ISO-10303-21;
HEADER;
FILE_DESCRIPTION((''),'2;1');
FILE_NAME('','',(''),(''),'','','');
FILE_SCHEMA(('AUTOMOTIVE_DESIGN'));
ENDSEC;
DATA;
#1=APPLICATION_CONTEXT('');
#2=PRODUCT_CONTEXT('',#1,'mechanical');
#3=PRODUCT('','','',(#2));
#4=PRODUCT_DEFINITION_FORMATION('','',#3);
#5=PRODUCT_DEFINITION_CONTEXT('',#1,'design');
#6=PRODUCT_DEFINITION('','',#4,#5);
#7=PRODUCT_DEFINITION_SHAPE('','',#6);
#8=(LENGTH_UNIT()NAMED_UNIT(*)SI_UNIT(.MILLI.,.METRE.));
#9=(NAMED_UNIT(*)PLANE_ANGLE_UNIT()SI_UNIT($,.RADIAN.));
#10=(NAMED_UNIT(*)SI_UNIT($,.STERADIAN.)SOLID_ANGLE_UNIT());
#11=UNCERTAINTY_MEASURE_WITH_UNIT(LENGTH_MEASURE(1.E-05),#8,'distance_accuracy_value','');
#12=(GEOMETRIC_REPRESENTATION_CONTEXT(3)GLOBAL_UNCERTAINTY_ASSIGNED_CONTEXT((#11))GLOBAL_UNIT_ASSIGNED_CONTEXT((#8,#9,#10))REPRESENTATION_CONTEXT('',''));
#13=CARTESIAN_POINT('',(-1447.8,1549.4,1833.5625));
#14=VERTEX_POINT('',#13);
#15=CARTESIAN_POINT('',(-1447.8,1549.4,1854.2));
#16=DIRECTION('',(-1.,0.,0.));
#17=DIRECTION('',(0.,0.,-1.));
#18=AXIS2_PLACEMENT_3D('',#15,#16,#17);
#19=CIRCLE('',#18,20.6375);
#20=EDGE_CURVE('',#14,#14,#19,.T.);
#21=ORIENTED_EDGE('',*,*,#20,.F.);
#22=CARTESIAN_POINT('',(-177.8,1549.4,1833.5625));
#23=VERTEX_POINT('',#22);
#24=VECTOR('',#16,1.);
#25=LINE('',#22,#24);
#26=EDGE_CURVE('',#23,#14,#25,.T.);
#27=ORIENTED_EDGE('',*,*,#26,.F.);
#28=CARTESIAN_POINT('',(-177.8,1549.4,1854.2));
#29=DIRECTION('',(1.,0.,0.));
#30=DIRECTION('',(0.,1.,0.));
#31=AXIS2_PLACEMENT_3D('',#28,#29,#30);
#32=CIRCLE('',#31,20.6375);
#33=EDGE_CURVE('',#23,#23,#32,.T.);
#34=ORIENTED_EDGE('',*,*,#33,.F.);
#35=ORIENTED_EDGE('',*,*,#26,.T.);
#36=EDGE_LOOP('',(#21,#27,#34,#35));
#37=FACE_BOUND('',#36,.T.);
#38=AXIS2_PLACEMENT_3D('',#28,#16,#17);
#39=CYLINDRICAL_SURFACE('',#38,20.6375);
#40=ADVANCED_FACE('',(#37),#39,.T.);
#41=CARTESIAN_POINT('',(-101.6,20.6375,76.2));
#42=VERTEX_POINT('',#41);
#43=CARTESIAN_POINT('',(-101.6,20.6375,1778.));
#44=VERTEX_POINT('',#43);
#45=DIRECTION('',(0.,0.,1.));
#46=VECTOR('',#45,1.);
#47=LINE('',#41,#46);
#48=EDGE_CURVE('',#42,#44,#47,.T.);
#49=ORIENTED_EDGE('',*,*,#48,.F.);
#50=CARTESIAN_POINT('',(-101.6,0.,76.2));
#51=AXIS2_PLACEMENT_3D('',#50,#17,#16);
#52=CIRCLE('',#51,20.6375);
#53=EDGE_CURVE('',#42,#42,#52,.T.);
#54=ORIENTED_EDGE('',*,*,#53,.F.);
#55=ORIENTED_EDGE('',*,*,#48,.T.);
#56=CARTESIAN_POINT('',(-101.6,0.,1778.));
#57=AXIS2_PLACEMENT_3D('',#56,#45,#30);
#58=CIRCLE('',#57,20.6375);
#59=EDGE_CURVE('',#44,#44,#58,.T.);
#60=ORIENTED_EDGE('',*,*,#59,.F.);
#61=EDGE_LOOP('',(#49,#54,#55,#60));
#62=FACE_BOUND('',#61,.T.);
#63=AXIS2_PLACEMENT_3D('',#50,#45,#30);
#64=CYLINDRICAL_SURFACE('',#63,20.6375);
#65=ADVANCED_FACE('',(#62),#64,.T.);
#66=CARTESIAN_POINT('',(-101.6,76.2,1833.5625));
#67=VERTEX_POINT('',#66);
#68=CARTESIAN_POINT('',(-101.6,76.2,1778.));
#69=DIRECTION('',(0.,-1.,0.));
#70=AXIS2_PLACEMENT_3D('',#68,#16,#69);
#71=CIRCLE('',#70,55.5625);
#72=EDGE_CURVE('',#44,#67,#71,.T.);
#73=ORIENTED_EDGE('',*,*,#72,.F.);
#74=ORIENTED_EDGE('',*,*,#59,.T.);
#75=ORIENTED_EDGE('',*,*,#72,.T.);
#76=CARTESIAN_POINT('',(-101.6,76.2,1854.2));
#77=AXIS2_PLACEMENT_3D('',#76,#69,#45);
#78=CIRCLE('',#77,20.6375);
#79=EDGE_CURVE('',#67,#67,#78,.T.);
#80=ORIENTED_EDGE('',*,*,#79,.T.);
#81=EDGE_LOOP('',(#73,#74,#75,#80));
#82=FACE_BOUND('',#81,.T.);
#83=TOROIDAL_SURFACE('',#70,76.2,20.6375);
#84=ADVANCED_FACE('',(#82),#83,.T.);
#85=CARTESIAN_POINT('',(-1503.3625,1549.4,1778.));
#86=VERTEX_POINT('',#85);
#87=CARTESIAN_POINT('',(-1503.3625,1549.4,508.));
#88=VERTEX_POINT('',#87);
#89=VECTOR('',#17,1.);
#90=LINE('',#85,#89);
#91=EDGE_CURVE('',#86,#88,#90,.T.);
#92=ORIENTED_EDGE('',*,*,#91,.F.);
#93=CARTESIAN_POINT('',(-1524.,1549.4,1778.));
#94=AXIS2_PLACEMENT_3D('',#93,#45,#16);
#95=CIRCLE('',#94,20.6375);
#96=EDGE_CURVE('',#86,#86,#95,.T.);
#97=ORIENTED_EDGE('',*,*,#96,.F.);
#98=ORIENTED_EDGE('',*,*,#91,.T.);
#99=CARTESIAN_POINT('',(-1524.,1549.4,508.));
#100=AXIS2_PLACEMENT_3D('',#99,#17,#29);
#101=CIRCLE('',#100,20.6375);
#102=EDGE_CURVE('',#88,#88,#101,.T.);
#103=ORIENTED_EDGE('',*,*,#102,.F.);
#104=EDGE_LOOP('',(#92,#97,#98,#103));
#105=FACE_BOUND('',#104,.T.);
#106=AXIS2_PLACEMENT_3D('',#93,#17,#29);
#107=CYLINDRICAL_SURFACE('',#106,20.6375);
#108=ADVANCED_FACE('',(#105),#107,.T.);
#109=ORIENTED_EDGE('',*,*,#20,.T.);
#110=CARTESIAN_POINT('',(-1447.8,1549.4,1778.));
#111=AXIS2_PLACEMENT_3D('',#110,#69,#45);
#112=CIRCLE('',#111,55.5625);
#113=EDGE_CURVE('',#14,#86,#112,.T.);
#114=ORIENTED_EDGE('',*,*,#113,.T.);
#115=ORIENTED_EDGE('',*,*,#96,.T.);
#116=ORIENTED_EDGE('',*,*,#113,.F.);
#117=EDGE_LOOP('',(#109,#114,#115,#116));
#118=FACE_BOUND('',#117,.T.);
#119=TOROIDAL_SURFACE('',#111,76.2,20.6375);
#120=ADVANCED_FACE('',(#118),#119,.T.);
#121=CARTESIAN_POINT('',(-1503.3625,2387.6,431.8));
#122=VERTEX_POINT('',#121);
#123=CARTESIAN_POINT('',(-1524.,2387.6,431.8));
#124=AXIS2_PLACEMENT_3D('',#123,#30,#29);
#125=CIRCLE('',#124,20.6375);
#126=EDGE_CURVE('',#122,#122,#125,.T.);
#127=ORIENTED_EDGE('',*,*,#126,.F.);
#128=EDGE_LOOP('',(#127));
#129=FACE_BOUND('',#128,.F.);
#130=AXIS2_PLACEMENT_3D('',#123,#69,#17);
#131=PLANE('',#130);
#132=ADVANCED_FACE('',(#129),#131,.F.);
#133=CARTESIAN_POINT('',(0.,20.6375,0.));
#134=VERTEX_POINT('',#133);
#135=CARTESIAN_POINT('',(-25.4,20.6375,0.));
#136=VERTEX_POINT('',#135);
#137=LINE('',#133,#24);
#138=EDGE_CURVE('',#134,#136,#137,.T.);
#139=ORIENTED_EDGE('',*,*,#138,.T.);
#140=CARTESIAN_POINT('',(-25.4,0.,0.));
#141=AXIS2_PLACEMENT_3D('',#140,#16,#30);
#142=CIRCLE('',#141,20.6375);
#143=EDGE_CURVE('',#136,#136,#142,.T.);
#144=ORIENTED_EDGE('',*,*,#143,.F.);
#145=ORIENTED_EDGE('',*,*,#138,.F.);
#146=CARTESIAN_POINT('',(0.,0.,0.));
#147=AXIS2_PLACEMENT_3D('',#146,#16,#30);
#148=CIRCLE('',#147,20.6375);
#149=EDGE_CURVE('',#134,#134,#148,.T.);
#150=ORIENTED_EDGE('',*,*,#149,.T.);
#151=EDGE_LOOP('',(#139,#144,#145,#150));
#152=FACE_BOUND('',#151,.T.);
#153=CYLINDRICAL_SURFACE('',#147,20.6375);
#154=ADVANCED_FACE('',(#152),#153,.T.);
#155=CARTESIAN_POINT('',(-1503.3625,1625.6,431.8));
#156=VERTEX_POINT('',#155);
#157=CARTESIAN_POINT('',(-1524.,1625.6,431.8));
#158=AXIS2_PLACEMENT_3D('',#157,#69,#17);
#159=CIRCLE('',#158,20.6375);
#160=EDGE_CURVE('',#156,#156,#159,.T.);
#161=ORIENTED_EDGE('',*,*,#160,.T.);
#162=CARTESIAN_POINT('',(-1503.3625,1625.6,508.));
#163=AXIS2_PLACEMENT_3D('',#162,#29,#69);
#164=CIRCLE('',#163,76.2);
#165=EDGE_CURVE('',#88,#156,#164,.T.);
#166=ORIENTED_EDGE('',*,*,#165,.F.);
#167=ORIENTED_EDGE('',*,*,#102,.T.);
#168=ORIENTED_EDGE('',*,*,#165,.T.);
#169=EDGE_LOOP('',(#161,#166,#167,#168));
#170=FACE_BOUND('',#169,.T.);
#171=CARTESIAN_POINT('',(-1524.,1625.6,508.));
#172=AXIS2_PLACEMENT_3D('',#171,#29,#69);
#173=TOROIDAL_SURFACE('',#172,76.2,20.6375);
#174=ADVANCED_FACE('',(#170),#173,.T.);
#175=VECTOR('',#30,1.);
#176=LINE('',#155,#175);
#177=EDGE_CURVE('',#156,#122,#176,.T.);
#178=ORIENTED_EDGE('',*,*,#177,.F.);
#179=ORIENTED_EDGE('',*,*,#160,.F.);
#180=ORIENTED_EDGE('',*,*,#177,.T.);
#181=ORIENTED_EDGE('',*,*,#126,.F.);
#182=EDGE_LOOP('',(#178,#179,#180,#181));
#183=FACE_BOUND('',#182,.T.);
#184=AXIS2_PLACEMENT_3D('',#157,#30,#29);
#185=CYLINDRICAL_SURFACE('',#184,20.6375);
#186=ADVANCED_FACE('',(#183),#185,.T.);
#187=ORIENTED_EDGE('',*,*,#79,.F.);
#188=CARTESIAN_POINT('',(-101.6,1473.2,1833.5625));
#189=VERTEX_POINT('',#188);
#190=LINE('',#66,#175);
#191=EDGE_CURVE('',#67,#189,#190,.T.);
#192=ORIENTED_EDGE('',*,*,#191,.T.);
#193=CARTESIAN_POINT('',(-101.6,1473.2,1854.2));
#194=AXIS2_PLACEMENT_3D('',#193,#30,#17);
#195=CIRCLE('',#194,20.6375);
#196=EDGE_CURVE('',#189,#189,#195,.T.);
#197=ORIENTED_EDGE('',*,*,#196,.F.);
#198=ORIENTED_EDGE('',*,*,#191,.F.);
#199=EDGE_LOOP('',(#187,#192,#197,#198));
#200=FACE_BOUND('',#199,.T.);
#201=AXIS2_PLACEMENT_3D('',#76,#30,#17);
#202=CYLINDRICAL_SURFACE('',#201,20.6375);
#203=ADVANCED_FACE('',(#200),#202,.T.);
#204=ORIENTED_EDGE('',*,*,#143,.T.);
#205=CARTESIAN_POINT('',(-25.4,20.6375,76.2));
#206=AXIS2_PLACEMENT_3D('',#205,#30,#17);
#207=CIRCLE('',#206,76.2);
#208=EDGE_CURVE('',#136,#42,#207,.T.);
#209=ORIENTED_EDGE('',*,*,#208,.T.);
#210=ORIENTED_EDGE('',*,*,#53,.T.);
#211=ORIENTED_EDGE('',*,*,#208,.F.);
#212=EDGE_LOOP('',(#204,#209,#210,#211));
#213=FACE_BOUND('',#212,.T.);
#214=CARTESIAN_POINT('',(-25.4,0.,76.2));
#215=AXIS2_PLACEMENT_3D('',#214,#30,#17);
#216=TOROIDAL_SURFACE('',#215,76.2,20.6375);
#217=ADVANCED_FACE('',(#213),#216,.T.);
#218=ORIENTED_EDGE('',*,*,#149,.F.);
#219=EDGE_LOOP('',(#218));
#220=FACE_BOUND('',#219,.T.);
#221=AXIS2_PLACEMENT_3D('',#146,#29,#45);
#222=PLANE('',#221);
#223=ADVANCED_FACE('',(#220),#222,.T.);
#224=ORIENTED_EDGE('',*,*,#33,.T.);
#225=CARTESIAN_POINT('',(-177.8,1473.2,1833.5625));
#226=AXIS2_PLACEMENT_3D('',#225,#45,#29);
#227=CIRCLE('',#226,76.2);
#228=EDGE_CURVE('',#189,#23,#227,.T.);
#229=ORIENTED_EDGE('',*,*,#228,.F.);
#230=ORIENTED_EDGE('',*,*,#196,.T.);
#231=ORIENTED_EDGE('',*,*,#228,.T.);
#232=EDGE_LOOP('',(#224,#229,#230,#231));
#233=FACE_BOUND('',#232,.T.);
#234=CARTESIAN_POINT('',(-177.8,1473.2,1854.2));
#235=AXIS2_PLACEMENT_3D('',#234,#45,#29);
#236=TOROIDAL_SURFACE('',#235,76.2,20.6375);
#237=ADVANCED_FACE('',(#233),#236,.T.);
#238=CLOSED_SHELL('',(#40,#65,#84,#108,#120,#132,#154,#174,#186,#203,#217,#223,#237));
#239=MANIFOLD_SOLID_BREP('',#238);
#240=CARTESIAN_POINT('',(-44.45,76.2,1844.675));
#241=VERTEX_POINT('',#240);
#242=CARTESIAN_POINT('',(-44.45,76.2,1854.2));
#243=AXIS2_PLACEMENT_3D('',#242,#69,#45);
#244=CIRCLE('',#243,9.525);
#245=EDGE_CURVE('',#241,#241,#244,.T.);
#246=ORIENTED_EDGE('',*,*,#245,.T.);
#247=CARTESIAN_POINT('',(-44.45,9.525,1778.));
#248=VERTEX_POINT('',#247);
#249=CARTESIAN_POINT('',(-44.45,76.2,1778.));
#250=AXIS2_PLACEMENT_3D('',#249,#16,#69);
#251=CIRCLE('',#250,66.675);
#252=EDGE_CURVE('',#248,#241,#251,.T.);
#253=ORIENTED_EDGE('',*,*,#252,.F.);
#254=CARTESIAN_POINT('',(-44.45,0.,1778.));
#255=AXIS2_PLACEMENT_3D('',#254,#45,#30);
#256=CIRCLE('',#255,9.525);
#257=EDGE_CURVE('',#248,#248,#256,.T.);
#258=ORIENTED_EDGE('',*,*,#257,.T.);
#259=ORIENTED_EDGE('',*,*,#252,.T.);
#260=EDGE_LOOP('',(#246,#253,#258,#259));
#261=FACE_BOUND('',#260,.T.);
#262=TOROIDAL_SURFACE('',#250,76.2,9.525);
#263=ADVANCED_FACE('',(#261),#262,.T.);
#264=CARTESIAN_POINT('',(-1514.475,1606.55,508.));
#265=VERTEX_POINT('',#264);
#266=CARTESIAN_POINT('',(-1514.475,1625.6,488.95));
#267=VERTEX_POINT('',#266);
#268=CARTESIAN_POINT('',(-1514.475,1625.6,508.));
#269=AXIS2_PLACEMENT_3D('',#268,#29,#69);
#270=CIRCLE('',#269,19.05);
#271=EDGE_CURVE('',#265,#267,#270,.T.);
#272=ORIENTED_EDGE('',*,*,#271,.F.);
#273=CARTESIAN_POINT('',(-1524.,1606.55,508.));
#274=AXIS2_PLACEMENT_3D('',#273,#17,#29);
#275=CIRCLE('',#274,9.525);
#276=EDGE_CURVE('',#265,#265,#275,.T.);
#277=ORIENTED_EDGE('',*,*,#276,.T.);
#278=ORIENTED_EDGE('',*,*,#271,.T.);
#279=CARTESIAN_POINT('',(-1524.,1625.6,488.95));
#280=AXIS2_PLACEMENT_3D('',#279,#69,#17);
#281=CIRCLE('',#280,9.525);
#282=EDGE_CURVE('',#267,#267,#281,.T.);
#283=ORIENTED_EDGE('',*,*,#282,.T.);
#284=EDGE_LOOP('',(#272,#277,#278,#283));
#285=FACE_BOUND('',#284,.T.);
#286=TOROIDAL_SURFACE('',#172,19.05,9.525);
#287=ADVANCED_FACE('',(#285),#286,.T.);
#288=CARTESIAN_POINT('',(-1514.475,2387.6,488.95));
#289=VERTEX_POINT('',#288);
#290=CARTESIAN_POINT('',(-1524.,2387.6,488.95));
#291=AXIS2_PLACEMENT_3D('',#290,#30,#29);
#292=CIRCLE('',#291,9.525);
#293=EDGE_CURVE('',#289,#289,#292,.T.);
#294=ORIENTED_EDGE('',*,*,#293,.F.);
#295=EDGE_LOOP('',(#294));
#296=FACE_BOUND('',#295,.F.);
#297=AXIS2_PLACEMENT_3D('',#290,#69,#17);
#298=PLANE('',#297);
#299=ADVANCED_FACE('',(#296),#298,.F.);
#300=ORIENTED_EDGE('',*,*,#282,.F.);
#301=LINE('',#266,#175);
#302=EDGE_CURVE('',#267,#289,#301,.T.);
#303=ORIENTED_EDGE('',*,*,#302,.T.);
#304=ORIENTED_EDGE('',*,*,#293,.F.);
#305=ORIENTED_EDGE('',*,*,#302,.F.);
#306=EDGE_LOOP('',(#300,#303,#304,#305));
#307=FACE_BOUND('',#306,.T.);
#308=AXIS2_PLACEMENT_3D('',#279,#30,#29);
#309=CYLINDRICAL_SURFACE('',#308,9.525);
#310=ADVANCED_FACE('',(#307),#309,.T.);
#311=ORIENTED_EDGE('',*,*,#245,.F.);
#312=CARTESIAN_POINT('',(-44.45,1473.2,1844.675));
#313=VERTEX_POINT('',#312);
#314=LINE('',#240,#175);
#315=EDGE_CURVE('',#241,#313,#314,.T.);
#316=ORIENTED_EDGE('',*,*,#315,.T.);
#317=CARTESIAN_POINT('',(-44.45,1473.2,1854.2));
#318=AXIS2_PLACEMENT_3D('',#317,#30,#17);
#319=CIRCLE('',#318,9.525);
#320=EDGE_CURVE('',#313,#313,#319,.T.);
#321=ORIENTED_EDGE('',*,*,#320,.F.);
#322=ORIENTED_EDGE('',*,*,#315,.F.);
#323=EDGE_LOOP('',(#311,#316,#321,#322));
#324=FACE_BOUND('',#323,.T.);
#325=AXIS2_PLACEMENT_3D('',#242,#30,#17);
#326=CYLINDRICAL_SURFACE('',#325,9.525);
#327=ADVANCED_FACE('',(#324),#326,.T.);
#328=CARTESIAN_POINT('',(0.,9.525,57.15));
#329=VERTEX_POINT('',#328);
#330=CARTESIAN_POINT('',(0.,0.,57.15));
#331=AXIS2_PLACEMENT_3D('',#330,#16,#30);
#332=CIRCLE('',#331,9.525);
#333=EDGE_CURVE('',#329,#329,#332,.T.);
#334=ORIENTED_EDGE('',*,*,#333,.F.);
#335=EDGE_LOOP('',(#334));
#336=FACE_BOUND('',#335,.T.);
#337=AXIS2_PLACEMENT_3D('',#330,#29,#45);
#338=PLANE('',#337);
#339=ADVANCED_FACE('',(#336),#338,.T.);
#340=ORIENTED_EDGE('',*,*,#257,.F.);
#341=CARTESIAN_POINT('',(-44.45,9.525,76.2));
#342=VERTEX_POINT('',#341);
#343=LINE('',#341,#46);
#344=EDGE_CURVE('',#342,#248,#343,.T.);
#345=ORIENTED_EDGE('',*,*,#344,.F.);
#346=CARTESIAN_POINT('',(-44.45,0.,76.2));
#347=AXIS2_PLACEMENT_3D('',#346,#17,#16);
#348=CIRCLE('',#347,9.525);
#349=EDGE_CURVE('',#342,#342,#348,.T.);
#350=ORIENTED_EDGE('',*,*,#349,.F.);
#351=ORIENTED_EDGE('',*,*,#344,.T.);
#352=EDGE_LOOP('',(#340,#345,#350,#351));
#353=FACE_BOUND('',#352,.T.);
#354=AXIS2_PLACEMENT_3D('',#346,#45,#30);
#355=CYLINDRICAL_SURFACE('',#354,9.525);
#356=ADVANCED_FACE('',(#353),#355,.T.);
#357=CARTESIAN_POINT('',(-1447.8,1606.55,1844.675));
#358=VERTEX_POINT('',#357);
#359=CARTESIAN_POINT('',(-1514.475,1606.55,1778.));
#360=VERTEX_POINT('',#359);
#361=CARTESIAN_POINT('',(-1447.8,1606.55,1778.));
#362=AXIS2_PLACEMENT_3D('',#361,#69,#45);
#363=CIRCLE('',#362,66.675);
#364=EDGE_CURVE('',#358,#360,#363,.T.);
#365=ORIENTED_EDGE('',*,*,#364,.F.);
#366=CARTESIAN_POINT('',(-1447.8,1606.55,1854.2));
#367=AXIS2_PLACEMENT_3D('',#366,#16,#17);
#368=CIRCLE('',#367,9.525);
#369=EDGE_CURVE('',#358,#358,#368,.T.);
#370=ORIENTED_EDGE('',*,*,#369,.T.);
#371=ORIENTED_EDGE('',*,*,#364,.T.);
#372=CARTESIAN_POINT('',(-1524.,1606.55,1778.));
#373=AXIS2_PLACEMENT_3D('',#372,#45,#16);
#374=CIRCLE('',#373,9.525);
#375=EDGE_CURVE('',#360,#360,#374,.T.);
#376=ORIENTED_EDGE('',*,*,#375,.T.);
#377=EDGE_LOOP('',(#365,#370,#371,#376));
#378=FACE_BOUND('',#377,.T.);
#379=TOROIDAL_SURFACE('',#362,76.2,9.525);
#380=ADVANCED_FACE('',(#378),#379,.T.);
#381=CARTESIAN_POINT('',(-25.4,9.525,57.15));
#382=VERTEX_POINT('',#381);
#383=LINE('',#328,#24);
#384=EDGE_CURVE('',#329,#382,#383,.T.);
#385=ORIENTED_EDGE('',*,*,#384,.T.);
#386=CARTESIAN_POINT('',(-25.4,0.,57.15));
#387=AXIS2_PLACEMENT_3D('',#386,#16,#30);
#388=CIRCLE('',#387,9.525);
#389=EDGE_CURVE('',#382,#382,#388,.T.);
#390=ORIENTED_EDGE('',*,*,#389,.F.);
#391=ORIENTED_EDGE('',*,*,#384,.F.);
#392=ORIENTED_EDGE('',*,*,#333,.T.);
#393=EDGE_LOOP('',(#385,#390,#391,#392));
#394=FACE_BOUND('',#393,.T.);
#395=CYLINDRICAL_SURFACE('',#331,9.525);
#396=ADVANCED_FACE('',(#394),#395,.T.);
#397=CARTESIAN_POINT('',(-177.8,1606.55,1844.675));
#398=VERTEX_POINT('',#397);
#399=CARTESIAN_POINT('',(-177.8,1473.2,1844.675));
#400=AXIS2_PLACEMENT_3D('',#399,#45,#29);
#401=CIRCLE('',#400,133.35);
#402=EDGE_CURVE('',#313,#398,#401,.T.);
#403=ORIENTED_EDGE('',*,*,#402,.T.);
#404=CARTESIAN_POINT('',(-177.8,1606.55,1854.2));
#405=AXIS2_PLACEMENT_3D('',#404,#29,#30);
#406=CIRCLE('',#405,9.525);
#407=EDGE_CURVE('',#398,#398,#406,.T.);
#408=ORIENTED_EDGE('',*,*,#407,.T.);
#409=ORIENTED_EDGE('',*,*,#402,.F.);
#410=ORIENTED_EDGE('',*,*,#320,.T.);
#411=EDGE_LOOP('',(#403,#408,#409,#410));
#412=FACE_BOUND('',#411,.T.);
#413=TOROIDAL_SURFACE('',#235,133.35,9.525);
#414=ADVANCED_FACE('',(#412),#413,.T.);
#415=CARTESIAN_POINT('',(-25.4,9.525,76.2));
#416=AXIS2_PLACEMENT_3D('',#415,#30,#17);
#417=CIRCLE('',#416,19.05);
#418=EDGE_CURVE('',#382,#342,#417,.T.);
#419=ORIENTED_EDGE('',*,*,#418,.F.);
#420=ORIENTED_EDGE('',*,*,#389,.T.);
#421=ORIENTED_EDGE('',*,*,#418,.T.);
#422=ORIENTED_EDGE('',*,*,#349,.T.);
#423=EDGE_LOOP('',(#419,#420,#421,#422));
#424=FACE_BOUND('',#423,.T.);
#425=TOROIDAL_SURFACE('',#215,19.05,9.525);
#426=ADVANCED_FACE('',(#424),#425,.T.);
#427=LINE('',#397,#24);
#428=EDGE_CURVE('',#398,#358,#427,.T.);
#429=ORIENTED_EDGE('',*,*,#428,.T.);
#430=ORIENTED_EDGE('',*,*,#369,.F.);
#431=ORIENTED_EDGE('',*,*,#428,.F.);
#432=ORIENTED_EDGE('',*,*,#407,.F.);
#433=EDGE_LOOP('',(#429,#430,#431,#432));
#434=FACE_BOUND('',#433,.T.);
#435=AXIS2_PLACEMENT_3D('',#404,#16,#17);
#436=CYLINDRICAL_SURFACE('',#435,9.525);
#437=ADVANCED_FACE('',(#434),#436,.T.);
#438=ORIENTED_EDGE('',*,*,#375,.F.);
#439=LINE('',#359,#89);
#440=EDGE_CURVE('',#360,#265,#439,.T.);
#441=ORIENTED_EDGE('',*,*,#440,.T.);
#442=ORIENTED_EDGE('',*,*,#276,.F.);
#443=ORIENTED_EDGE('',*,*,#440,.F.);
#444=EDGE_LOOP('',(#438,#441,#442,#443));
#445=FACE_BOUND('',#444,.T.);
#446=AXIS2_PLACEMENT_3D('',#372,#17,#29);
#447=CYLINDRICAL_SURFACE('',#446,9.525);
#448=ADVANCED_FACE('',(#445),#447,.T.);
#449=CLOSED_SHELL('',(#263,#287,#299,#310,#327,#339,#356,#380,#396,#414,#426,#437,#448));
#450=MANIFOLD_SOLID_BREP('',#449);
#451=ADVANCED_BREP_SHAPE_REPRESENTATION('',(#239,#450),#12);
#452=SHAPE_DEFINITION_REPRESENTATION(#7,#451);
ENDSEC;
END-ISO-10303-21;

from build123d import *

# Parameters (mm, degrees)
F0_R   = 20.6375
F0_R_2 = 9.525


with BuildPart() as f10:
    # F10: sweep along a path in F1, F3, F5, F7, F9
    with BuildLine(Plane.XZ) as f10_path:
        Line((0, 0), (-25.4, 0))
        ThreePointArc((-25.4, 0), (-79.2815367264, 22.3184632736), (-101.6, 76.2))
        Line((-101.6, 76.2), (-101.6, 1778))
    with BuildLine(Plane.YZ.offset(-101.6)) as f10_path_2:
        ThreePointArc((0, 1778), (22.3184632736, 1831.8815367264), (76.2, 1854.2))
        Line((76.2, 1854.2), (1473.2, 1854.2))
    with BuildLine(Plane.XY.offset(1854.2)) as f10_path_3:
        ThreePointArc((-101.6, 1473.2), (-123.9184632736, 1527.0815367264), (-177.8, 1549.4))
        Line((-177.8, 1549.4), (-1447.8, 1549.4))
    with BuildLine(Plane.XZ.offset(-1549.4)) as f10_path_4:
        ThreePointArc((-1447.8, 1854.2), (-1501.6815367264, 1831.8815367264), (-1524, 1778))
        Line((-1524, 1778), (-1524, 508))
    with BuildLine(Plane.YZ.offset(-1524)) as f10_path_5:
        ThreePointArc((1549.4, 508), (1571.7184632736, 454.1184632736), (1625.6, 431.8))
        Line((1625.6, 431.8), (2387.6, 431.8))
    # F0 (on Right) → F10 (sweep)
    with BuildSketch(Plane.YZ):
        Circle(F0_R)
        with Locations((0, 57.15)):
            Circle(F0_R_2)
    sweep(path=f10_path.line + f10_path_2.line + f10_path_3.line + f10_path_4.line + f10_path_5.line)


solid = f10.part
